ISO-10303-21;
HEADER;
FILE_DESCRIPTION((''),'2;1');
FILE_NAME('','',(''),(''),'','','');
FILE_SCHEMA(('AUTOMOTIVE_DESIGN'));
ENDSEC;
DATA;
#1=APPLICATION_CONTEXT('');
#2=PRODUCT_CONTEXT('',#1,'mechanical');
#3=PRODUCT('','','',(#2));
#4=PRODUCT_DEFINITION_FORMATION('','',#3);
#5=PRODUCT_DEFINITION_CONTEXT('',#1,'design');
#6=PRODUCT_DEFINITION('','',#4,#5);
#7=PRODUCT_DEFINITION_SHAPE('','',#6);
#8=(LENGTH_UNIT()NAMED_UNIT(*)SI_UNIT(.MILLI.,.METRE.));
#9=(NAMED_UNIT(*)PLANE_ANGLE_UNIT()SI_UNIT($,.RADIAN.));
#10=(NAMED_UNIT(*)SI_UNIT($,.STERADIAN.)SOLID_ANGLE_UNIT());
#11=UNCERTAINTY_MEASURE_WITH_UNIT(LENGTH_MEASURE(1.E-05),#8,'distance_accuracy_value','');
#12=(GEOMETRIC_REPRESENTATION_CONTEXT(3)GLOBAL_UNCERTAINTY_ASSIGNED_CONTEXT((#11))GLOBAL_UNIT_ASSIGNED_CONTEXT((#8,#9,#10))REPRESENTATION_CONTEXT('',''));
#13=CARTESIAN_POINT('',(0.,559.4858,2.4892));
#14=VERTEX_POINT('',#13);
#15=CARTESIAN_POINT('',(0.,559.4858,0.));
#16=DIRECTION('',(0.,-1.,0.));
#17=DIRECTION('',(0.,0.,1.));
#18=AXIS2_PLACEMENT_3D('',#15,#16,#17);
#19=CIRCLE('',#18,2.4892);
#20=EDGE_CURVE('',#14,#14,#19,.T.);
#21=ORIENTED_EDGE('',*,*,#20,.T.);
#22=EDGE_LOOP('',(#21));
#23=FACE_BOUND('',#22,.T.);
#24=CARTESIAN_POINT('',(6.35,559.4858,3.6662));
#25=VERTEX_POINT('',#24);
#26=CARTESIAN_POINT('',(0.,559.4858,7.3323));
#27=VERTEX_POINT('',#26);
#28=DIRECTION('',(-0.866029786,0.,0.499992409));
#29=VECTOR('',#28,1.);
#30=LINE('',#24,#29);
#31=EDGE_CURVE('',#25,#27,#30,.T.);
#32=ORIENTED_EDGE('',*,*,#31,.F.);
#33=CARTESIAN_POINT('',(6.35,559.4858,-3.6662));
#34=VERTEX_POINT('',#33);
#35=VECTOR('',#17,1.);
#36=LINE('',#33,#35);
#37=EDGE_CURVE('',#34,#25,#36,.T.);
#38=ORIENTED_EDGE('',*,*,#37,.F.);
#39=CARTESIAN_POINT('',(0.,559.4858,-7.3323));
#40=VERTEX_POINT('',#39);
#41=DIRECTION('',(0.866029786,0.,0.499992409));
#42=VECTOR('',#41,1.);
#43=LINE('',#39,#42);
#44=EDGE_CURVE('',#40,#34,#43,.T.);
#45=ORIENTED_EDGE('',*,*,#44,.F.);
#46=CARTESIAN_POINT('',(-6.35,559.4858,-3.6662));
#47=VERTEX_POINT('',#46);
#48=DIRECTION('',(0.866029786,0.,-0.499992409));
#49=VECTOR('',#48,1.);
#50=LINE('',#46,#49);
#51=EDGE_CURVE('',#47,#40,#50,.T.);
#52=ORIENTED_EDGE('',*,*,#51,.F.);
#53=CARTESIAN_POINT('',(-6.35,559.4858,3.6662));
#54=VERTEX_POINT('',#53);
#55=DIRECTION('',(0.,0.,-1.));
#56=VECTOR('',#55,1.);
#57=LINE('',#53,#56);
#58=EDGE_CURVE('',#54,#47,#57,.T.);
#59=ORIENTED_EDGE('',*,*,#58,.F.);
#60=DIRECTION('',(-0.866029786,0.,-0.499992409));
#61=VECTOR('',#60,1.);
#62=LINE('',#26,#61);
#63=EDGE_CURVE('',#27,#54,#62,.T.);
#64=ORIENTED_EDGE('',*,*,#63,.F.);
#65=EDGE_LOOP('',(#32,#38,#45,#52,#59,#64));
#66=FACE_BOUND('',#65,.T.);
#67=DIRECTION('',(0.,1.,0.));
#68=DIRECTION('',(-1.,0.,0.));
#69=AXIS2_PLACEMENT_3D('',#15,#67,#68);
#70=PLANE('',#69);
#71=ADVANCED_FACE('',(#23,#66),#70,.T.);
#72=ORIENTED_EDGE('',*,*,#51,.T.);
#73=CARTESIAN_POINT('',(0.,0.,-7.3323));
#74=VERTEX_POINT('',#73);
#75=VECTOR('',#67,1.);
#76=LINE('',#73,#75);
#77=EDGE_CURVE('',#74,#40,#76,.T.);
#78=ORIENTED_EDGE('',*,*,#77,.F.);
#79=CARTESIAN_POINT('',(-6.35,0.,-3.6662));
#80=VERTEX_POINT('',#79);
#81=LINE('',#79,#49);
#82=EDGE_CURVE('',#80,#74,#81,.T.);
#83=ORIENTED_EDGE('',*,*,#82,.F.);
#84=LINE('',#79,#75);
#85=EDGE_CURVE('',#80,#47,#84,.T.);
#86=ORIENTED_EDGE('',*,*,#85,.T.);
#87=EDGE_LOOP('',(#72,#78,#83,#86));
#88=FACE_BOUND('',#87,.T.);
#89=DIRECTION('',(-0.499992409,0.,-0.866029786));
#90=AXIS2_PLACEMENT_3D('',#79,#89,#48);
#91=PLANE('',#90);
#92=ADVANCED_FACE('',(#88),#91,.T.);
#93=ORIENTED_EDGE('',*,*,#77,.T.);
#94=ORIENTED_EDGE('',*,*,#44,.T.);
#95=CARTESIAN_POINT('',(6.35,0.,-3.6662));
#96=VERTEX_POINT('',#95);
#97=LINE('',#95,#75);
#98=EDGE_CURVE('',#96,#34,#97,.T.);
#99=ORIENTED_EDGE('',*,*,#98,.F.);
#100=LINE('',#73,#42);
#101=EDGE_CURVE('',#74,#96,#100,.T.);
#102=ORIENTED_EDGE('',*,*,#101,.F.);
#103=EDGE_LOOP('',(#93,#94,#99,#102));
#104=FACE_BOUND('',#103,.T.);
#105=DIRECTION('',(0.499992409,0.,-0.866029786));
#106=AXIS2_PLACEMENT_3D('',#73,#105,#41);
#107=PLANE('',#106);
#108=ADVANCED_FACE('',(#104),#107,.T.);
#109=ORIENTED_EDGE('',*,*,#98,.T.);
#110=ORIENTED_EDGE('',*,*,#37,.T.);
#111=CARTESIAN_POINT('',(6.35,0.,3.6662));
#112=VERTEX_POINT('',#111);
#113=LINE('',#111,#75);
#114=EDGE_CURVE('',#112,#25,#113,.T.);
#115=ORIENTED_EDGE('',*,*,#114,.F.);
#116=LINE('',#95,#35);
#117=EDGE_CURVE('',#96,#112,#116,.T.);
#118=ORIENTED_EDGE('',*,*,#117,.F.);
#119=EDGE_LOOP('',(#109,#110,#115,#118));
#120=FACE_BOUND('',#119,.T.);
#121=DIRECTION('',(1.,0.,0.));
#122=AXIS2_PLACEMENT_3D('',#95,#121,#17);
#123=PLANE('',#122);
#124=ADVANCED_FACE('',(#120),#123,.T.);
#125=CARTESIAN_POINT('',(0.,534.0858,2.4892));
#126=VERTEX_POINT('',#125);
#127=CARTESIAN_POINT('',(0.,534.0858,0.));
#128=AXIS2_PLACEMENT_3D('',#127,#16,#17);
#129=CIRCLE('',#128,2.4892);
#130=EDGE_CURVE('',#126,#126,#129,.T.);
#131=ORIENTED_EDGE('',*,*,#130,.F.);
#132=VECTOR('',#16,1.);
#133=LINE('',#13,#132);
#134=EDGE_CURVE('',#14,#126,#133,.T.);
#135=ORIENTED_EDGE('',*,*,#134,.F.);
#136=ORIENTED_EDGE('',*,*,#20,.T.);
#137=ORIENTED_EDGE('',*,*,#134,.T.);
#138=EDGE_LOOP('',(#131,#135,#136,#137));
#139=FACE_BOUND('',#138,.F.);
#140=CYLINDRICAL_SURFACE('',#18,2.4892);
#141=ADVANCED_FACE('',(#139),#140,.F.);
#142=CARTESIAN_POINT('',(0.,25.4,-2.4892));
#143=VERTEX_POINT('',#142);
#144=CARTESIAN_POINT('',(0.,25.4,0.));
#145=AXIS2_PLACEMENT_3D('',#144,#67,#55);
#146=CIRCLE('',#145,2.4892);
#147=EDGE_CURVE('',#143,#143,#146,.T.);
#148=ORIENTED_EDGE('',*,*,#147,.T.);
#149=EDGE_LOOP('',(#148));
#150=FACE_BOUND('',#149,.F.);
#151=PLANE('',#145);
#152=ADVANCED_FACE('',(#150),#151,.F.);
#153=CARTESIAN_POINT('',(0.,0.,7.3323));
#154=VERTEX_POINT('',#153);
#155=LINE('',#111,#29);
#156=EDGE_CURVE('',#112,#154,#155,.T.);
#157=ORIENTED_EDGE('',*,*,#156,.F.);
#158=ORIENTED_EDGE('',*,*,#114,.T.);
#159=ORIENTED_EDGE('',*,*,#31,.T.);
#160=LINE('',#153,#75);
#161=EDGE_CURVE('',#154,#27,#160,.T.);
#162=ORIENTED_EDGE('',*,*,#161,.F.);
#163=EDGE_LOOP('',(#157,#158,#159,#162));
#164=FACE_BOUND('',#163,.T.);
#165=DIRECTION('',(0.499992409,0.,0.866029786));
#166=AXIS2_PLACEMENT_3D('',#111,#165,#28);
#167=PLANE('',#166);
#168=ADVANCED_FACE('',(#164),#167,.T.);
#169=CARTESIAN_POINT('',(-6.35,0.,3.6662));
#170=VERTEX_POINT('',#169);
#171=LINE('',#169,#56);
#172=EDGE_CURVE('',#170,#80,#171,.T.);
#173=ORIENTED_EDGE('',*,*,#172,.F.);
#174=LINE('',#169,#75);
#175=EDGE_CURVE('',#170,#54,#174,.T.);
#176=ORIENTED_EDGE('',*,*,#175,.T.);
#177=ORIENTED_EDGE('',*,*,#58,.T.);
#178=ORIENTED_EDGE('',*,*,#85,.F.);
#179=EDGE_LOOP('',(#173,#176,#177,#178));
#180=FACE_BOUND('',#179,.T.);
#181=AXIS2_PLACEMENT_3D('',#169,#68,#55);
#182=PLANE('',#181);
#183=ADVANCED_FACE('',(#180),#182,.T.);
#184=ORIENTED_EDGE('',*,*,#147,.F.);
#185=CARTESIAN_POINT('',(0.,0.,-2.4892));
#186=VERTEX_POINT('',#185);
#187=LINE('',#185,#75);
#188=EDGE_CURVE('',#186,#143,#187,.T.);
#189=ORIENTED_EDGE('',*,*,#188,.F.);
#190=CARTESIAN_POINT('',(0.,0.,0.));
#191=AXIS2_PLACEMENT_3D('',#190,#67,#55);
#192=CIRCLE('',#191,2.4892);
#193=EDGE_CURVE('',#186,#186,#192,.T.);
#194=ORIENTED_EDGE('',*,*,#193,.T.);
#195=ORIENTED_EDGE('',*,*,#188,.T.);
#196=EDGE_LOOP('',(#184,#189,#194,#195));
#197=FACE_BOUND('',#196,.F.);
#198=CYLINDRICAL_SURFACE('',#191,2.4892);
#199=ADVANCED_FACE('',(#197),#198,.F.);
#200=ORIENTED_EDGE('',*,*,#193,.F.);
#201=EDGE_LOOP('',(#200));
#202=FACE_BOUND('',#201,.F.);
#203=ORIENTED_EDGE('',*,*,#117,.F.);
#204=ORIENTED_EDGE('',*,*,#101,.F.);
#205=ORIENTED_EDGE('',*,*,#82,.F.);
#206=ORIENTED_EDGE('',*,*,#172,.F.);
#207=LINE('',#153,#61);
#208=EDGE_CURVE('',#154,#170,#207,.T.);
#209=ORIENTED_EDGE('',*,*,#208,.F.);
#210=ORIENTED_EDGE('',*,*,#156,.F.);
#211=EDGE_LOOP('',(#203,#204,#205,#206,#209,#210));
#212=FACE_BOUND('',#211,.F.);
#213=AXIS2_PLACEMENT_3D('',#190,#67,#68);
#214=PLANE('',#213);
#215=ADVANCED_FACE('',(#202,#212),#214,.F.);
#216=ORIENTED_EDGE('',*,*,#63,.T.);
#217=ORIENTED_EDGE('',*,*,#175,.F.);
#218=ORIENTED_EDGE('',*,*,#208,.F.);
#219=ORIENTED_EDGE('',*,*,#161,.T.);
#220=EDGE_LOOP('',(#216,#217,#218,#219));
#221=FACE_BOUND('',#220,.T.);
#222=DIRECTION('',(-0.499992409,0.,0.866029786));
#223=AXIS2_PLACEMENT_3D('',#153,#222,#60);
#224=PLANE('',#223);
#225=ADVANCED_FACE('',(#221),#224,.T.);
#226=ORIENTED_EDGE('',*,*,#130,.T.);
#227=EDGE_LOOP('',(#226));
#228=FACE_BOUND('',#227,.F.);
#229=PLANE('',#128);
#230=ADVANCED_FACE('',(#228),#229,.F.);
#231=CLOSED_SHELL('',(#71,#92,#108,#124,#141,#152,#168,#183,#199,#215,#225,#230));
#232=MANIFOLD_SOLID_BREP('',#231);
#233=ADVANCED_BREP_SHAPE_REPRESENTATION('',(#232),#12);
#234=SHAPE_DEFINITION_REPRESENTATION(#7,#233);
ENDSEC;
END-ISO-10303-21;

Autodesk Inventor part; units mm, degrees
ref_plane "YZ Plane" through (0, 0, 0) normal (1, 0, 0) x (0, 1, 0)
ref_plane "XZ Plane" through (0, 0, 0) normal (0, 1, 0) x (-1, 0, 0)
ref_plane "XY Plane" through (0, 0, 0) normal (0, 0, 1) x (1, 0, 0)
sketch "Sketch1" plane through (0, 0, 0) normal (0, 1, 0) x (-1, 0, 0)
  line L0 (6.35, -3.6662) -> (0, -7.3323)
  line L1 (0, -7.3323) -> (-6.35, -3.6662)
  line L2 (-6.35, -3.6662) -> (-6.35, 3.6662)
  line L3 (-6.35, 3.6662) -> (0, 7.3323)
  line L4 (0, 7.3323) -> (6.35, 3.6662)
  line L5 (6.35, 3.6662) -> (6.35, -3.6662)
  point P0 (0, 0)
  point P1 (0, 0)
  point P2 (0, 0)
  dimension "d0" = 12.7
extrude "Extrusion1" add sketch "Sketch1" along normal blind 559.4858
sketch "Sketch2" plane through (0, 0, 0) normal (0, -1, 0) x (1, 0, 0)
  point P0 (0, 0)
  point P1 (0, 0)
hole "Hole1" at (0, 0, 0) direction (0, 1, 0) diameter 4.9784 depth 25.4 thread size "1/4-20 UNC" class "2B" standard "ANSI Unified Screw Threads"
sketch "Sketch3" plane through (0, 559.4858, 0) normal (0, 1, 0) x (1, 0, 0)
  point P0 (0, 0)
  point P1 (0, 0)
hole "Hole2" at (0, 559.4858, 0) direction (0, -1, 0) diameter 4.9784 depth 25.4 thread size "1/4-20 UNC" class "2B" standard "ANSI Unified Screw Threads"
properties part number "Intake Hex Shaft 3" material "Aluminum 6061"
